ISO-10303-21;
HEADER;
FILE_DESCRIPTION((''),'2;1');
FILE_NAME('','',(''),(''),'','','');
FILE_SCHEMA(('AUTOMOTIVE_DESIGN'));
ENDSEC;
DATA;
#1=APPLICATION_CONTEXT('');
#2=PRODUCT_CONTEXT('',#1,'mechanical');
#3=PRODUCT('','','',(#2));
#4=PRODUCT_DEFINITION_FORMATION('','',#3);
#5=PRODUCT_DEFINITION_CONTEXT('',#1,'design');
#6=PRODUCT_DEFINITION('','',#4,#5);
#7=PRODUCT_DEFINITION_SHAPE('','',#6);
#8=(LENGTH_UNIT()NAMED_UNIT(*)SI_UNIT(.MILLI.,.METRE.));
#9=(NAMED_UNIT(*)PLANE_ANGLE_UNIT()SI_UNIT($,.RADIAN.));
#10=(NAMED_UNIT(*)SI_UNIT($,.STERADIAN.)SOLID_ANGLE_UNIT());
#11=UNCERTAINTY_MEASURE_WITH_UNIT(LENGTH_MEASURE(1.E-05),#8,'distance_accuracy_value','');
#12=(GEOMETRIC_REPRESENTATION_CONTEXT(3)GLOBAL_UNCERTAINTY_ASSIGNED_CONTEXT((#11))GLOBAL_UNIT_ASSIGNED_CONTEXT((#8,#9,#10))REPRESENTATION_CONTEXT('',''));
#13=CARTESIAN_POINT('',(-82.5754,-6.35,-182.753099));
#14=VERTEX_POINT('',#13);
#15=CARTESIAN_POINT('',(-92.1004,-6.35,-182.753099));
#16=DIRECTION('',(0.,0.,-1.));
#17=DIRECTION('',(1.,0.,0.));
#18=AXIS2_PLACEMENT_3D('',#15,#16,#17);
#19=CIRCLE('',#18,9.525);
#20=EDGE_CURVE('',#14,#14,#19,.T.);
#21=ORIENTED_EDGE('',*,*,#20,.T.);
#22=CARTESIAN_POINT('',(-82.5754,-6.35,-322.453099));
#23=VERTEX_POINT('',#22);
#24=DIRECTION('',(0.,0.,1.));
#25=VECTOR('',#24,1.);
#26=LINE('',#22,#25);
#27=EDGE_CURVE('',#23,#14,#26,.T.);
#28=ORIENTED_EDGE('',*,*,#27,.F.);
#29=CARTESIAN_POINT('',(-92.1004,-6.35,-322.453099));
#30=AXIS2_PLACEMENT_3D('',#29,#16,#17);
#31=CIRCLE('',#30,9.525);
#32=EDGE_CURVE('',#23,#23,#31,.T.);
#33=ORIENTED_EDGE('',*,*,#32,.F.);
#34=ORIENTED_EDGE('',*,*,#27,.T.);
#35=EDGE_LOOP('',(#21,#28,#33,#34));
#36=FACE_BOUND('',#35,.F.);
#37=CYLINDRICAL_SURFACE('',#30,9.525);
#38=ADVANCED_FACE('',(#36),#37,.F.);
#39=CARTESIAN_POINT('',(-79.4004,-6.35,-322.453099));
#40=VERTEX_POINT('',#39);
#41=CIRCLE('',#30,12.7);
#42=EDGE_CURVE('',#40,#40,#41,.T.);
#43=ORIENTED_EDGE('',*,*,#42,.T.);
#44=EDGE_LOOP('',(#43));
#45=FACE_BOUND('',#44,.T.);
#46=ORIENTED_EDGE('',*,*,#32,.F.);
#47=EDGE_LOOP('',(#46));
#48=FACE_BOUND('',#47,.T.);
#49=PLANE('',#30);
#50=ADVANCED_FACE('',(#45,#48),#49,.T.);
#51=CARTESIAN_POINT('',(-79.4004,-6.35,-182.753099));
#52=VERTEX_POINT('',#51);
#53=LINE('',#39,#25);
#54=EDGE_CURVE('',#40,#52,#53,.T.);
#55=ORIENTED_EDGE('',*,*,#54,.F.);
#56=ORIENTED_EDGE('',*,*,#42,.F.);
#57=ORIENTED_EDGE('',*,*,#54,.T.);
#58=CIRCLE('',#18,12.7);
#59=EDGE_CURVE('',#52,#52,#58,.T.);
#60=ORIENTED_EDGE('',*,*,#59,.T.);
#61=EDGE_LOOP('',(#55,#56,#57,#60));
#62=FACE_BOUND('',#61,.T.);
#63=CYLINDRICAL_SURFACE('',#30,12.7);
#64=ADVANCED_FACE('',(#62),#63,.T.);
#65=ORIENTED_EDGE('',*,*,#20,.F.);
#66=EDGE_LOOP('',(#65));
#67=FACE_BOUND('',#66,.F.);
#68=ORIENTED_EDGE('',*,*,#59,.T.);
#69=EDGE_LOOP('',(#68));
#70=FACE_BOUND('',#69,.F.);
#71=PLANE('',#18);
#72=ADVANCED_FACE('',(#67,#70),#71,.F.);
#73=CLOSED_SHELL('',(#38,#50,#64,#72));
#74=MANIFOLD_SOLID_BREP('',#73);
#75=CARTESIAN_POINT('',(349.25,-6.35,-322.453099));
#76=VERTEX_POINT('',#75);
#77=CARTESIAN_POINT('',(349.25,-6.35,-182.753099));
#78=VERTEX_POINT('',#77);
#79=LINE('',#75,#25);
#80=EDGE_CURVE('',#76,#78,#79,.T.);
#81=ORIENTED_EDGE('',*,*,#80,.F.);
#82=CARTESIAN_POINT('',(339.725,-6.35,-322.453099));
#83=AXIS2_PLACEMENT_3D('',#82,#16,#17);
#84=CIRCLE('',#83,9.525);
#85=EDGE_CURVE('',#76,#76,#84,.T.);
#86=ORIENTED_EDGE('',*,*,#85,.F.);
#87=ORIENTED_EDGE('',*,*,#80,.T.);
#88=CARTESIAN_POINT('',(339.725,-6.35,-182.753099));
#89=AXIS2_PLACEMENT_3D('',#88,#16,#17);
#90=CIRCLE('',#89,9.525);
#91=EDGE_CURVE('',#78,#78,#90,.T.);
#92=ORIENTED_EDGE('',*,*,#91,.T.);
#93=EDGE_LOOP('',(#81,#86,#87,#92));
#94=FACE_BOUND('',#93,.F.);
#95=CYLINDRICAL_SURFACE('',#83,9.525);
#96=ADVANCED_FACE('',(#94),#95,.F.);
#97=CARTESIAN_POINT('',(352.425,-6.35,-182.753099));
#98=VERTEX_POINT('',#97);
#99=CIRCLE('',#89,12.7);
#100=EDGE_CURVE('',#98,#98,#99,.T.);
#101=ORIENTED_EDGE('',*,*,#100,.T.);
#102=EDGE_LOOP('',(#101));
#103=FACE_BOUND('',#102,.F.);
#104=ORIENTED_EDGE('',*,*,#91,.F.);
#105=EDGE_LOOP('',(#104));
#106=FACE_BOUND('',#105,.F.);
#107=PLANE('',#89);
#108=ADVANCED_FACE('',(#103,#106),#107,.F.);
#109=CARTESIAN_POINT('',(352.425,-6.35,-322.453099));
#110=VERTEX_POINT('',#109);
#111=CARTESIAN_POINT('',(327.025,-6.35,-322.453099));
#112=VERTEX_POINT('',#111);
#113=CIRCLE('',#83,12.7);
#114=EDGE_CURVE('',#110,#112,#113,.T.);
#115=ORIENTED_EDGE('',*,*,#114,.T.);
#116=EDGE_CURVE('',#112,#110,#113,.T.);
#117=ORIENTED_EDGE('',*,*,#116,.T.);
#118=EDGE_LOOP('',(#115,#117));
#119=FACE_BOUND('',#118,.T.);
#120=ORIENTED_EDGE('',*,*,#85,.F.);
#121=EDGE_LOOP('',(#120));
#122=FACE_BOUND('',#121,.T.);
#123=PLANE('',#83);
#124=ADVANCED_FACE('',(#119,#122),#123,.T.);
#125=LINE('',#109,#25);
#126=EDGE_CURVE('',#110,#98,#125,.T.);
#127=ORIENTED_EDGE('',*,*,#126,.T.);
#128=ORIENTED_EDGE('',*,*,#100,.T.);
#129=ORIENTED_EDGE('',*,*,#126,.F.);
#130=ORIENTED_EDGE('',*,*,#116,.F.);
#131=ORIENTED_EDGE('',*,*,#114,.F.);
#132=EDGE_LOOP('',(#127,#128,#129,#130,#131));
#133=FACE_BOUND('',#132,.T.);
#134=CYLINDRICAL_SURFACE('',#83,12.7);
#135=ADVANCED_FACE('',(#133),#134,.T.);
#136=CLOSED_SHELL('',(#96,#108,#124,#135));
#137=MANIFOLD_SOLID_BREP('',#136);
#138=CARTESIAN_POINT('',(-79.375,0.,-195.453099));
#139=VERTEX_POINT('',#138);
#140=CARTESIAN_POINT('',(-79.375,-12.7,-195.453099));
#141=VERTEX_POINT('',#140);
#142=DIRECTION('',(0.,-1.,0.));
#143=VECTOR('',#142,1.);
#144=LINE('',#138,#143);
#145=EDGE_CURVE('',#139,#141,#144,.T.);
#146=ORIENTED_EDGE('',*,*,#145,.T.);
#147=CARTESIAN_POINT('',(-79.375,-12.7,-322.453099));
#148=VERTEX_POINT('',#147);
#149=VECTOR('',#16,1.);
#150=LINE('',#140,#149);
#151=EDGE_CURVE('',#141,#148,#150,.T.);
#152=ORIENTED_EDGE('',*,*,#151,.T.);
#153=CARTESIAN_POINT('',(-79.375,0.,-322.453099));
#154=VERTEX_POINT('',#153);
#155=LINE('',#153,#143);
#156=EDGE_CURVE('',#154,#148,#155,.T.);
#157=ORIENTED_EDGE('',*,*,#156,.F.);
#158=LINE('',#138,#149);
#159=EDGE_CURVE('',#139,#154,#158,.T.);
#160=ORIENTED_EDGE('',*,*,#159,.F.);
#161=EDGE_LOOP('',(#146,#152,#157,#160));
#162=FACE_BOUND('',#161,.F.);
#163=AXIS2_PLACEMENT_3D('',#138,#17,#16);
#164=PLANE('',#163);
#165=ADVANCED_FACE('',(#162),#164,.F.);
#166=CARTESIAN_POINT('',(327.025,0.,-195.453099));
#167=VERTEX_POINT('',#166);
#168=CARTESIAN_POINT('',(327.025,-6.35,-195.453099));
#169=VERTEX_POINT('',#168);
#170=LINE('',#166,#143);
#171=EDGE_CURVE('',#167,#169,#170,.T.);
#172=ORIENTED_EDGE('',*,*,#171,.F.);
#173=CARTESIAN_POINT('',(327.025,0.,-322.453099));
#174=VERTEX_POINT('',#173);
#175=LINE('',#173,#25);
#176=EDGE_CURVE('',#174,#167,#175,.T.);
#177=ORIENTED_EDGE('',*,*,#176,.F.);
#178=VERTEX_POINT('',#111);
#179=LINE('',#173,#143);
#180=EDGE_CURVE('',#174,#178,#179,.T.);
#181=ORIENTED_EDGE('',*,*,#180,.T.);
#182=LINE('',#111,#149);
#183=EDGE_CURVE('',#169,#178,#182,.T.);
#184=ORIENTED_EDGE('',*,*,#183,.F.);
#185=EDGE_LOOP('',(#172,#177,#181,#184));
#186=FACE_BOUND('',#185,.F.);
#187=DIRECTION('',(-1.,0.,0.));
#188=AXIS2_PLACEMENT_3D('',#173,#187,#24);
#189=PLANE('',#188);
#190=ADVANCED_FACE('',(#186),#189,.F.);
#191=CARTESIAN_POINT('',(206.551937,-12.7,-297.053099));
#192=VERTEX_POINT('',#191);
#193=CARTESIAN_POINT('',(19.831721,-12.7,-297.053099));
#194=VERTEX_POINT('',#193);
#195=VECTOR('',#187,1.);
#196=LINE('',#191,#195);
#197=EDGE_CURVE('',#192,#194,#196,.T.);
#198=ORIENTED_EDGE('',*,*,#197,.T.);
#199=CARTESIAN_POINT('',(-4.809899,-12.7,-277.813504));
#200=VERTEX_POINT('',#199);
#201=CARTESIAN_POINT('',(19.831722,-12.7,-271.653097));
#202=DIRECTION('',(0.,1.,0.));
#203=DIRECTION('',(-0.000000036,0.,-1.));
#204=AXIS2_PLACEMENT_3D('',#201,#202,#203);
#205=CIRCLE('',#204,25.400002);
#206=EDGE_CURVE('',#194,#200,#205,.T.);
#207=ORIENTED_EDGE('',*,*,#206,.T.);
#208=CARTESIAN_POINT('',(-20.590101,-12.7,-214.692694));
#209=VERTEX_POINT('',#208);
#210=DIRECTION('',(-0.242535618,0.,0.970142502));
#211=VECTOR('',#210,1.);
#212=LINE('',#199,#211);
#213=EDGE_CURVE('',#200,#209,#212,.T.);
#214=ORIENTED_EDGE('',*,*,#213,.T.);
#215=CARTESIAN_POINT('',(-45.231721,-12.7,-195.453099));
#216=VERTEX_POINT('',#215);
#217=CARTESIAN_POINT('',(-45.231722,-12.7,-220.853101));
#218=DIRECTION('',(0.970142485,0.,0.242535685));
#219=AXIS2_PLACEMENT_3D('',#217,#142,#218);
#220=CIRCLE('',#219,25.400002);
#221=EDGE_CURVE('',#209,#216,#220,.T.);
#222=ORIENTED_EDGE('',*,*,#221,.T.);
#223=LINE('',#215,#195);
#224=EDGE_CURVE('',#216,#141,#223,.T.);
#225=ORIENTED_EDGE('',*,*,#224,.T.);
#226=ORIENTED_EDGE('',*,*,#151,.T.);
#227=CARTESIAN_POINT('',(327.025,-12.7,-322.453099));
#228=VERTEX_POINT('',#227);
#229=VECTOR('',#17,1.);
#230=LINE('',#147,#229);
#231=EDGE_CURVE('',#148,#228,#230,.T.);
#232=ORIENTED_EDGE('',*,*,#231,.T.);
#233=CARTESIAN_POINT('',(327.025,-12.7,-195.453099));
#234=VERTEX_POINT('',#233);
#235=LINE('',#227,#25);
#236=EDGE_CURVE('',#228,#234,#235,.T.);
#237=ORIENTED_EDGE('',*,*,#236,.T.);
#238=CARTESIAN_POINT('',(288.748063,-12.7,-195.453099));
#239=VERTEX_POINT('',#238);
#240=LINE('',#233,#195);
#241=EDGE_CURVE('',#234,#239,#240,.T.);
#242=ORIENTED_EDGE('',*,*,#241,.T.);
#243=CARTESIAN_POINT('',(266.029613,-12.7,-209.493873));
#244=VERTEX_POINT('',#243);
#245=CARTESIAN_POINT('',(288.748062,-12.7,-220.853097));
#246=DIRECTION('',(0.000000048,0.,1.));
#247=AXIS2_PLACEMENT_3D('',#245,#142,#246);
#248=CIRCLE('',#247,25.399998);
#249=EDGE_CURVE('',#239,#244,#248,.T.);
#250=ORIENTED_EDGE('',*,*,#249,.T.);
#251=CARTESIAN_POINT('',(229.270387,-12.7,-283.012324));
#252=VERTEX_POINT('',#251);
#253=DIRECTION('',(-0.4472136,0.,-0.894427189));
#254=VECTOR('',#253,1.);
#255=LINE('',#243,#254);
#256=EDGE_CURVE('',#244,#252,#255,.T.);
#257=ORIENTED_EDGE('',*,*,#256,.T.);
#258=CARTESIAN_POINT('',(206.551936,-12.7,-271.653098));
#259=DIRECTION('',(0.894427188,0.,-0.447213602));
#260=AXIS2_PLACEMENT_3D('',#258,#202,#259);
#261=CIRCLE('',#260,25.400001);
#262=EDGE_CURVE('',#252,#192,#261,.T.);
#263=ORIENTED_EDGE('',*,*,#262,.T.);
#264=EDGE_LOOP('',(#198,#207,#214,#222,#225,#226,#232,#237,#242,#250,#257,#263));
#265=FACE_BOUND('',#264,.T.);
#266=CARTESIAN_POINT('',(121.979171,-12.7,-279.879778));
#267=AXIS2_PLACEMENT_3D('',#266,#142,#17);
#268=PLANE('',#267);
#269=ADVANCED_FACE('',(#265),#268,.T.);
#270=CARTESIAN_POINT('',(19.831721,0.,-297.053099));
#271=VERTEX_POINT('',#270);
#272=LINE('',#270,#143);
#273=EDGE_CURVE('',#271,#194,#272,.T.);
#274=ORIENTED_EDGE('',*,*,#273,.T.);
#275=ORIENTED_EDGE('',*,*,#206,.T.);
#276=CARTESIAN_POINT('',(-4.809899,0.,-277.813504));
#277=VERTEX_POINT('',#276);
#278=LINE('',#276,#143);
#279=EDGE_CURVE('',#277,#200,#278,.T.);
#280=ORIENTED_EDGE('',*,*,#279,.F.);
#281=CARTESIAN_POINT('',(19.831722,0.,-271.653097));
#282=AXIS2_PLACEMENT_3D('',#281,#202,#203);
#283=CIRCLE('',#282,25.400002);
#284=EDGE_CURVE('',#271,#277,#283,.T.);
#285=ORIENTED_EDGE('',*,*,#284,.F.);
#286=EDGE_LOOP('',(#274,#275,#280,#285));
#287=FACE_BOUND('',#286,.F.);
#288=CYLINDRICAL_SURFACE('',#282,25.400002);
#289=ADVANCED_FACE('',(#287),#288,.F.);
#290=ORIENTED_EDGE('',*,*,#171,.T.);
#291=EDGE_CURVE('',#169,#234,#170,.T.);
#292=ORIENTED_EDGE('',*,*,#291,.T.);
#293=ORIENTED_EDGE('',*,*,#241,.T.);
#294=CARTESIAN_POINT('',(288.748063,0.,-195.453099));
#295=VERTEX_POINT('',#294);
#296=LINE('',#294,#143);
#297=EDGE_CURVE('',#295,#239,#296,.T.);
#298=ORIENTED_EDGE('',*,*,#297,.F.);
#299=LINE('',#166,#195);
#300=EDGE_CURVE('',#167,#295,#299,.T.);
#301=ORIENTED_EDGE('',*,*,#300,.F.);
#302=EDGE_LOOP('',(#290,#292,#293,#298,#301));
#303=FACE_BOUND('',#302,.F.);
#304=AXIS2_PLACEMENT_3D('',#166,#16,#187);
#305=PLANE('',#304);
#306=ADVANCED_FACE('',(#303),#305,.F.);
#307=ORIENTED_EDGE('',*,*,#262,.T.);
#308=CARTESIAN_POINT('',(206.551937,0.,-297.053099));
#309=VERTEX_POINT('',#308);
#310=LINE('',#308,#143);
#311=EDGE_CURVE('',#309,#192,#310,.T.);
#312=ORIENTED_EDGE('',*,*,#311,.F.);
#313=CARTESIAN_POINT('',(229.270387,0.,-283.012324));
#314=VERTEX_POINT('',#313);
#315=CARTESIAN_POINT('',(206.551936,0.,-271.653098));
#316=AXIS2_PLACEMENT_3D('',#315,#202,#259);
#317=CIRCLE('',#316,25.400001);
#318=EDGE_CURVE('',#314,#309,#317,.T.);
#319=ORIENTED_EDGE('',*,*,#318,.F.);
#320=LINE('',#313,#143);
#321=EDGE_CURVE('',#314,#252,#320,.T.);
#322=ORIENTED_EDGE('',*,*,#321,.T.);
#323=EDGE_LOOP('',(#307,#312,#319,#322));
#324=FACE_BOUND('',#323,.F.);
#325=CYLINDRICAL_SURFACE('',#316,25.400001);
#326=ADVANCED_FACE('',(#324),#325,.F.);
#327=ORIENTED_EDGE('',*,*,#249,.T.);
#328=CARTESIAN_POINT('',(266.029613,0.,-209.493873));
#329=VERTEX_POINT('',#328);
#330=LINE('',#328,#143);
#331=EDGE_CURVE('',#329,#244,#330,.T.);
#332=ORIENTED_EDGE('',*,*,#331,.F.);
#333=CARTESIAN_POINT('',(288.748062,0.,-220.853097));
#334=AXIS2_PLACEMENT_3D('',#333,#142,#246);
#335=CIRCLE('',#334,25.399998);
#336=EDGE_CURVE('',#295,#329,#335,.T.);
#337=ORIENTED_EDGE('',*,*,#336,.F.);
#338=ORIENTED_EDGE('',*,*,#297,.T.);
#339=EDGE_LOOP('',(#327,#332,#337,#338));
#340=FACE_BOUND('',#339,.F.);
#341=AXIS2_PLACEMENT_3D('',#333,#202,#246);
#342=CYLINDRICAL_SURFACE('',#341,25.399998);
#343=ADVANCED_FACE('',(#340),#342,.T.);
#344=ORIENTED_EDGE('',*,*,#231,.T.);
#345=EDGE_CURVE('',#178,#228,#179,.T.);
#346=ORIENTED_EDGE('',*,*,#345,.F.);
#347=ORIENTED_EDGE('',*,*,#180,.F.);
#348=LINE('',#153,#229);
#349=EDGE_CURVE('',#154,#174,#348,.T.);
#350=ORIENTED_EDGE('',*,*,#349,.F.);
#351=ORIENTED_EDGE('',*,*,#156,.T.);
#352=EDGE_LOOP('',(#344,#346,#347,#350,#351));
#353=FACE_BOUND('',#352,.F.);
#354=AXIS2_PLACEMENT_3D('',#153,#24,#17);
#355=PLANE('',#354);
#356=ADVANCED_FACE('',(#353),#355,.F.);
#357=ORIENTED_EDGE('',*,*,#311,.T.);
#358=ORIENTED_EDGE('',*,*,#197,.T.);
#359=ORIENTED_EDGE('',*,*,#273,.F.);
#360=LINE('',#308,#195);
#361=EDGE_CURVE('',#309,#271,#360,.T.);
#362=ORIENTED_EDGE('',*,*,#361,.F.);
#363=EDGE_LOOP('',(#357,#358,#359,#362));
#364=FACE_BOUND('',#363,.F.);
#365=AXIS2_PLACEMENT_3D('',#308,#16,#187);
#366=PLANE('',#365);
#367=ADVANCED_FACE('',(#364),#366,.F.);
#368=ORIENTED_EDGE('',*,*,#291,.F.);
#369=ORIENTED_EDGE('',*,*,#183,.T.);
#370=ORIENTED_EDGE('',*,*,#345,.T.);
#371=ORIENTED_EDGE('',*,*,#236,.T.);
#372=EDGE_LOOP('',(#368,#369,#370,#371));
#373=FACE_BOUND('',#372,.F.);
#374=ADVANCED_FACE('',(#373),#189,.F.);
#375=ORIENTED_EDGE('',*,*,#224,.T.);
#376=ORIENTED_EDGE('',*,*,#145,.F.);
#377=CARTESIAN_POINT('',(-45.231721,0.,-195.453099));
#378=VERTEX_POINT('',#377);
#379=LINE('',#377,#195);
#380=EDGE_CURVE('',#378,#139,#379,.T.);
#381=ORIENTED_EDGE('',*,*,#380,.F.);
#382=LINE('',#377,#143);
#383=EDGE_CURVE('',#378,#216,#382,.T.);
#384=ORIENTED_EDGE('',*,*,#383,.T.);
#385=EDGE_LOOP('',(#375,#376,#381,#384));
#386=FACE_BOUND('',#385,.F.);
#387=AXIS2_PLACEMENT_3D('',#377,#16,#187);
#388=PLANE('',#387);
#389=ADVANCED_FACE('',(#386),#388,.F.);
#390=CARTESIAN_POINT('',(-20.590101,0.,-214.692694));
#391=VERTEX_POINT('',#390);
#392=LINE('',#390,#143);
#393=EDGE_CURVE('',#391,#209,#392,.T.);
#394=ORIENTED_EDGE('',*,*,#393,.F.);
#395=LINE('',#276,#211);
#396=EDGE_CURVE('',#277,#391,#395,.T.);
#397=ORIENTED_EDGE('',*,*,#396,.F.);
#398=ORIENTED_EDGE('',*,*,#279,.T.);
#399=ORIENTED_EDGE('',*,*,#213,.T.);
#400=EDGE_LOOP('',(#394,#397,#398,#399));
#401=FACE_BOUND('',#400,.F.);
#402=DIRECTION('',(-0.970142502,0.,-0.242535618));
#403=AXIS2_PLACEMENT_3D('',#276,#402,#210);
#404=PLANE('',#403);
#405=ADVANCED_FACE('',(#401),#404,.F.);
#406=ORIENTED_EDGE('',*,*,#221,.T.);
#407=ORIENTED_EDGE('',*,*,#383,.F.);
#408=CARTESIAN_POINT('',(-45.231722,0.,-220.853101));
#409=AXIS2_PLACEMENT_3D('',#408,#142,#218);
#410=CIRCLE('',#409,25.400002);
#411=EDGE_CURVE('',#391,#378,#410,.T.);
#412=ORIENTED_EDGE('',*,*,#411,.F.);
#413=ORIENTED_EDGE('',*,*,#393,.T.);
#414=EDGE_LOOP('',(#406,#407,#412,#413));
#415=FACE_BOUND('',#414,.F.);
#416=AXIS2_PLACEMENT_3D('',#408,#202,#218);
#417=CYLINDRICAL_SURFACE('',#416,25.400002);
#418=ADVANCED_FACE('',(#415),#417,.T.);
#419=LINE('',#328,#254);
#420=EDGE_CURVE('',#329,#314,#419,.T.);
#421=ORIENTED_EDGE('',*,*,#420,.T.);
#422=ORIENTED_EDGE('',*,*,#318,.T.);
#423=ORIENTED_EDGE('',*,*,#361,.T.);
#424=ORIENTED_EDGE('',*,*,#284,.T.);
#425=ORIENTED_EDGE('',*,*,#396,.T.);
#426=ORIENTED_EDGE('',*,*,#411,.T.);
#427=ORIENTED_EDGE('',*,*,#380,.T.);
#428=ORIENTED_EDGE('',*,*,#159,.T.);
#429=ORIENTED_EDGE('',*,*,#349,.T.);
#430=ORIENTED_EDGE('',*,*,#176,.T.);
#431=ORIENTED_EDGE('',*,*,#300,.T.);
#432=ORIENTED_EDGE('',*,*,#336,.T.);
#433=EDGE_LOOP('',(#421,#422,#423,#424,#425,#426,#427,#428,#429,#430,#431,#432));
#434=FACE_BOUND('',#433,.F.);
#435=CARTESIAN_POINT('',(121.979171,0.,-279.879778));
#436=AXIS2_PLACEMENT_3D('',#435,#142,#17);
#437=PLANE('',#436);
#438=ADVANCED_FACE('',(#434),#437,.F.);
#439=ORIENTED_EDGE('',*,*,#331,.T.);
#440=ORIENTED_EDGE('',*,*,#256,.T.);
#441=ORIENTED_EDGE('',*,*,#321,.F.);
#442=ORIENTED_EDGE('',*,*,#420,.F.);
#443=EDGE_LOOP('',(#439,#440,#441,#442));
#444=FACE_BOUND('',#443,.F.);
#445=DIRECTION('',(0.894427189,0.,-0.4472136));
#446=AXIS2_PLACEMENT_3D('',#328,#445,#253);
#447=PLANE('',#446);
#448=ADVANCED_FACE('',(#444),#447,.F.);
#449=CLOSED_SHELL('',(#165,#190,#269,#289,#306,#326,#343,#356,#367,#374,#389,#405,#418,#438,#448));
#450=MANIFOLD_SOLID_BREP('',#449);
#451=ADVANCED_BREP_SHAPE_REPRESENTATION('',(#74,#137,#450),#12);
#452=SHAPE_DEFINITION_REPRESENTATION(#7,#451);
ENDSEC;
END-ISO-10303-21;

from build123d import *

# Parameters (mm, degrees)
F1_DEPTH = 12.7
F2_R     = 12.7
F2_R_2   = 9.525
F3_DEPTH = 139.7
F4_R     = 12.7
F4_R_2   = 9.525
F5_DEPTH = 139.7


with BuildPart() as f1:
    # F0 (on Front) → F1 (new body)
    with BuildSketch(Plane.XZ):
        with BuildLine():
            Line((206.551937, -297.053099), (19.831721, -297.053099))
            ThreePointArc((19.831721, -297.053099), (4.200251, -291.673517), (-4.809899, -277.813504))
            Line((-4.809899, -277.813504), (-20.590101, -214.692694))
            ThreePointArc((-20.590101, -214.692694), (-29.600251, -200.832681), (-45.231721, -195.453099))
            Line((-45.231721, -195.453099), (-79.375, -195.453099))
            Line((-79.375, -195.453099), (-79.375, -322.453099))
            Line((-79.375, -322.453099), (327.025, -322.453099))
            Line((327.025, -322.453099), (327.025, -195.453099))
            Line((327.025, -195.453099), (288.748063, -195.453099))
            ThreePointArc((288.748063, -195.453099), (275.394493, -199.246568), (266.029613, -209.493873))
            Line((266.029613, -209.493873), (229.270387, -283.012324))
            ThreePointArc((229.270387, -283.012324), (219.905507, -293.259629), (206.551937, -297.053099))
        make_face()
    extrude(amount=F1_DEPTH)

    # F2 (on face) → F3 (join)
    with BuildSketch(Plane(origin=(0, 0, -322.453099), x_dir=(1, 0, 0), z_dir=(0, 0, -1))):
        with Locations((339.725, 6.35)):
            Circle(F2_R)
        with Locations((339.725, 6.35)):
            Circle(F2_R_2, mode=Mode.SUBTRACT)
    extrude(amount=-F3_DEPTH)


with BuildPart() as f5:
    # F4 (on face) → F5 (new body)
    with BuildSketch(Plane(origin=(0, 0, -322.453099), x_dir=(1, 0, 0), z_dir=(0, 0, -1))):
        with Locations((-92.1004, 6.35)):
            Circle(F4_R)
        with Locations((-92.1004, 6.35)):
            Circle(F4_R_2, mode=Mode.SUBTRACT)
    extrude(amount=-F5_DEPTH)


solid = Compound([f1.part, f5.part])
